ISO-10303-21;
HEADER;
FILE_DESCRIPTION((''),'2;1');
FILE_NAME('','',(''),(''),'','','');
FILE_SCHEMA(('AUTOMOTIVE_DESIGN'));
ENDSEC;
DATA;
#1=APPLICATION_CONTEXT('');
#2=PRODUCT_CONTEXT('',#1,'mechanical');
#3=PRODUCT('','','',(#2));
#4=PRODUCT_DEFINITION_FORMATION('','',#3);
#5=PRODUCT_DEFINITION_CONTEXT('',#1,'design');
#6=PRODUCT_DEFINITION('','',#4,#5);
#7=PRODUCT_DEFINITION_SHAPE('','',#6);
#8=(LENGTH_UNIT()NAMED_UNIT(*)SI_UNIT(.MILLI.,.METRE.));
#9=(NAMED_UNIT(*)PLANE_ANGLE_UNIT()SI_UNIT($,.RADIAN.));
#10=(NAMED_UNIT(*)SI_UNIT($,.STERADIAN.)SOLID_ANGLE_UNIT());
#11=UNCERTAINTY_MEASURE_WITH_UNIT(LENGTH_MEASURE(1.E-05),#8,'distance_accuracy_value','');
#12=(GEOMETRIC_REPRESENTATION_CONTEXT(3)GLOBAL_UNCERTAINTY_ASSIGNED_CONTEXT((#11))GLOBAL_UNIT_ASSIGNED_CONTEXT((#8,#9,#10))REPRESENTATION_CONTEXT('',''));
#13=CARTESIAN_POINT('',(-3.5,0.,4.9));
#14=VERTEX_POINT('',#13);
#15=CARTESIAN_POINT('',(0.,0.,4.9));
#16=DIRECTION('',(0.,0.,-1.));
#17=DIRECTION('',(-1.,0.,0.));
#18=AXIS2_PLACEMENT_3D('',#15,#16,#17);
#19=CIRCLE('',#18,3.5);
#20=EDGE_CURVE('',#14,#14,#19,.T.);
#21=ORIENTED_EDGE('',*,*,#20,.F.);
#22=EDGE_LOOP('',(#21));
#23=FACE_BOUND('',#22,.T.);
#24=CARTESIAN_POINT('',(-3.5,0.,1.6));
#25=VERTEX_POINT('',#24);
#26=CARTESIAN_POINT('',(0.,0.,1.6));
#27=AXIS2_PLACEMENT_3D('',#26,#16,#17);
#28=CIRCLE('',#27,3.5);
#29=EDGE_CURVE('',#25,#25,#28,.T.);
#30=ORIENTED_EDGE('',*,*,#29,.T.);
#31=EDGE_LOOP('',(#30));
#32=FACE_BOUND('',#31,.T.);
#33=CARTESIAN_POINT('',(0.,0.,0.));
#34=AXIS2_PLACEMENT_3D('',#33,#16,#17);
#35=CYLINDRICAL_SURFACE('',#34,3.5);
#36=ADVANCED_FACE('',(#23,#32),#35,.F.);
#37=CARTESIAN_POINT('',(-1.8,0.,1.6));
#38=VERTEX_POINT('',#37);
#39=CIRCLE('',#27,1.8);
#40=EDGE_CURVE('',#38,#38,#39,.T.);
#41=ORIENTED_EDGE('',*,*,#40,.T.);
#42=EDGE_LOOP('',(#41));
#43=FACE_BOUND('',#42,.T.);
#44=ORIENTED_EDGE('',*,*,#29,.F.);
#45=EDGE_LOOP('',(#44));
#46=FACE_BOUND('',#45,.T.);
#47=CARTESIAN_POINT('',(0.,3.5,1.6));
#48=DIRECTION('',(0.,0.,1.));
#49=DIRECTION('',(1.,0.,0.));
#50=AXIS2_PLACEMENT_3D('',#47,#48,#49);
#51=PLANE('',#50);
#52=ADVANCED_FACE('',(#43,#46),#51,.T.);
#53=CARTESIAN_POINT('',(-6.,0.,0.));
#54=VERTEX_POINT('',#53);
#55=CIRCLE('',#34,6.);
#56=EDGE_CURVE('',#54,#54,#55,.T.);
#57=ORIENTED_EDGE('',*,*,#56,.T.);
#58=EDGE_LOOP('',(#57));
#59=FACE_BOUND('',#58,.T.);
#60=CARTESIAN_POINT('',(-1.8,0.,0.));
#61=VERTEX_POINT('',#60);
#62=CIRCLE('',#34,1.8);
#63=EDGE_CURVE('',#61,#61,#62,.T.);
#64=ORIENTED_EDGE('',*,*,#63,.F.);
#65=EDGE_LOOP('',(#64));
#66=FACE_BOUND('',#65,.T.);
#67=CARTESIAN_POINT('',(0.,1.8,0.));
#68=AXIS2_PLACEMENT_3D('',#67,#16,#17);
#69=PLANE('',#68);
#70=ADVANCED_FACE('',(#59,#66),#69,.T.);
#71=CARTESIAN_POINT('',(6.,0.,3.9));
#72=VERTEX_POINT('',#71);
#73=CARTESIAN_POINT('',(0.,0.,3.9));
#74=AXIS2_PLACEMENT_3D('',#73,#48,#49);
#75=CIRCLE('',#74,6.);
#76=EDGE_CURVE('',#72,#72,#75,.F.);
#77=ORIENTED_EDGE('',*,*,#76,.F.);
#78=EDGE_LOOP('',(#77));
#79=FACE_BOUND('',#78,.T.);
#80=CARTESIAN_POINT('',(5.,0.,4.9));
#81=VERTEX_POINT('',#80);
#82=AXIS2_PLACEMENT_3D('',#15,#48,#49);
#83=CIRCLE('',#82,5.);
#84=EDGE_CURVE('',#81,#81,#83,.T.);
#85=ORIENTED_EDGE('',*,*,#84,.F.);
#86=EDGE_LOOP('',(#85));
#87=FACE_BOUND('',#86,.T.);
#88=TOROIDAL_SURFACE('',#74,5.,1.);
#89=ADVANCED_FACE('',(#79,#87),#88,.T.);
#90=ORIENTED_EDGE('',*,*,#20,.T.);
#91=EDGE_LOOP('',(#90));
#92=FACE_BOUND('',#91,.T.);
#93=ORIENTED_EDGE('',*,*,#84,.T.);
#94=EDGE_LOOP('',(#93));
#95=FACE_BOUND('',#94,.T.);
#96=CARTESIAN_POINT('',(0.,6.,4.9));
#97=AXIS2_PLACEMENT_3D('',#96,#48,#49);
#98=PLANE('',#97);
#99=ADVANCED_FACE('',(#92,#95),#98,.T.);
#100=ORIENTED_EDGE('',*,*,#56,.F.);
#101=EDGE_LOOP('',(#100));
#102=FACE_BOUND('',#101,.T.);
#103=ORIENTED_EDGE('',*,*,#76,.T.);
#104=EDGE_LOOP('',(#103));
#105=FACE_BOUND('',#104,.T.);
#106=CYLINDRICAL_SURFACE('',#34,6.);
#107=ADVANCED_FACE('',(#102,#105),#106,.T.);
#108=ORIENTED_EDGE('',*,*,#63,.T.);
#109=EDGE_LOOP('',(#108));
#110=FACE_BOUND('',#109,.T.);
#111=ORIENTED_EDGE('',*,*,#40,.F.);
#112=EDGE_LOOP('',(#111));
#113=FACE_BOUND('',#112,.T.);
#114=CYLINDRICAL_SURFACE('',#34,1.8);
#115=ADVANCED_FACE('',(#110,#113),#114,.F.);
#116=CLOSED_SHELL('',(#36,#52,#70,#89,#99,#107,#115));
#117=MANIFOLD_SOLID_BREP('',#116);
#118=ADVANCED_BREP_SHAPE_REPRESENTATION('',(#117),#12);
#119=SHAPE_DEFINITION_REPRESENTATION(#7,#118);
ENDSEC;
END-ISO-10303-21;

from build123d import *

# Parameters (mm, degrees)
REDONDEO1_R = 1


with BuildPart() as part:
    # Croquis1 → Revolución1 (revolve)
    with BuildSketch(Plane(origin=(0, 0, 0), x_dir=(0, 0, -1), z_dir=(1, 0, 0))):
        Polygon((0, 1.8), (0, 6), (-4.9, 6), (-4.9, 3.5), (-1.6, 3.5), (-1.6, 1.8), align=None)
    revolve(axis=Axis((0, 0, 0), (0, 0, 1)))

    # Redondeo1
    redondeo1_edges = [part.edges().sort_by_distance(p)[0] for p in [
        (0, -6, 4.9),
    ]]
    fillet(redondeo1_edges, radius=REDONDEO1_R)


solid = part.part
